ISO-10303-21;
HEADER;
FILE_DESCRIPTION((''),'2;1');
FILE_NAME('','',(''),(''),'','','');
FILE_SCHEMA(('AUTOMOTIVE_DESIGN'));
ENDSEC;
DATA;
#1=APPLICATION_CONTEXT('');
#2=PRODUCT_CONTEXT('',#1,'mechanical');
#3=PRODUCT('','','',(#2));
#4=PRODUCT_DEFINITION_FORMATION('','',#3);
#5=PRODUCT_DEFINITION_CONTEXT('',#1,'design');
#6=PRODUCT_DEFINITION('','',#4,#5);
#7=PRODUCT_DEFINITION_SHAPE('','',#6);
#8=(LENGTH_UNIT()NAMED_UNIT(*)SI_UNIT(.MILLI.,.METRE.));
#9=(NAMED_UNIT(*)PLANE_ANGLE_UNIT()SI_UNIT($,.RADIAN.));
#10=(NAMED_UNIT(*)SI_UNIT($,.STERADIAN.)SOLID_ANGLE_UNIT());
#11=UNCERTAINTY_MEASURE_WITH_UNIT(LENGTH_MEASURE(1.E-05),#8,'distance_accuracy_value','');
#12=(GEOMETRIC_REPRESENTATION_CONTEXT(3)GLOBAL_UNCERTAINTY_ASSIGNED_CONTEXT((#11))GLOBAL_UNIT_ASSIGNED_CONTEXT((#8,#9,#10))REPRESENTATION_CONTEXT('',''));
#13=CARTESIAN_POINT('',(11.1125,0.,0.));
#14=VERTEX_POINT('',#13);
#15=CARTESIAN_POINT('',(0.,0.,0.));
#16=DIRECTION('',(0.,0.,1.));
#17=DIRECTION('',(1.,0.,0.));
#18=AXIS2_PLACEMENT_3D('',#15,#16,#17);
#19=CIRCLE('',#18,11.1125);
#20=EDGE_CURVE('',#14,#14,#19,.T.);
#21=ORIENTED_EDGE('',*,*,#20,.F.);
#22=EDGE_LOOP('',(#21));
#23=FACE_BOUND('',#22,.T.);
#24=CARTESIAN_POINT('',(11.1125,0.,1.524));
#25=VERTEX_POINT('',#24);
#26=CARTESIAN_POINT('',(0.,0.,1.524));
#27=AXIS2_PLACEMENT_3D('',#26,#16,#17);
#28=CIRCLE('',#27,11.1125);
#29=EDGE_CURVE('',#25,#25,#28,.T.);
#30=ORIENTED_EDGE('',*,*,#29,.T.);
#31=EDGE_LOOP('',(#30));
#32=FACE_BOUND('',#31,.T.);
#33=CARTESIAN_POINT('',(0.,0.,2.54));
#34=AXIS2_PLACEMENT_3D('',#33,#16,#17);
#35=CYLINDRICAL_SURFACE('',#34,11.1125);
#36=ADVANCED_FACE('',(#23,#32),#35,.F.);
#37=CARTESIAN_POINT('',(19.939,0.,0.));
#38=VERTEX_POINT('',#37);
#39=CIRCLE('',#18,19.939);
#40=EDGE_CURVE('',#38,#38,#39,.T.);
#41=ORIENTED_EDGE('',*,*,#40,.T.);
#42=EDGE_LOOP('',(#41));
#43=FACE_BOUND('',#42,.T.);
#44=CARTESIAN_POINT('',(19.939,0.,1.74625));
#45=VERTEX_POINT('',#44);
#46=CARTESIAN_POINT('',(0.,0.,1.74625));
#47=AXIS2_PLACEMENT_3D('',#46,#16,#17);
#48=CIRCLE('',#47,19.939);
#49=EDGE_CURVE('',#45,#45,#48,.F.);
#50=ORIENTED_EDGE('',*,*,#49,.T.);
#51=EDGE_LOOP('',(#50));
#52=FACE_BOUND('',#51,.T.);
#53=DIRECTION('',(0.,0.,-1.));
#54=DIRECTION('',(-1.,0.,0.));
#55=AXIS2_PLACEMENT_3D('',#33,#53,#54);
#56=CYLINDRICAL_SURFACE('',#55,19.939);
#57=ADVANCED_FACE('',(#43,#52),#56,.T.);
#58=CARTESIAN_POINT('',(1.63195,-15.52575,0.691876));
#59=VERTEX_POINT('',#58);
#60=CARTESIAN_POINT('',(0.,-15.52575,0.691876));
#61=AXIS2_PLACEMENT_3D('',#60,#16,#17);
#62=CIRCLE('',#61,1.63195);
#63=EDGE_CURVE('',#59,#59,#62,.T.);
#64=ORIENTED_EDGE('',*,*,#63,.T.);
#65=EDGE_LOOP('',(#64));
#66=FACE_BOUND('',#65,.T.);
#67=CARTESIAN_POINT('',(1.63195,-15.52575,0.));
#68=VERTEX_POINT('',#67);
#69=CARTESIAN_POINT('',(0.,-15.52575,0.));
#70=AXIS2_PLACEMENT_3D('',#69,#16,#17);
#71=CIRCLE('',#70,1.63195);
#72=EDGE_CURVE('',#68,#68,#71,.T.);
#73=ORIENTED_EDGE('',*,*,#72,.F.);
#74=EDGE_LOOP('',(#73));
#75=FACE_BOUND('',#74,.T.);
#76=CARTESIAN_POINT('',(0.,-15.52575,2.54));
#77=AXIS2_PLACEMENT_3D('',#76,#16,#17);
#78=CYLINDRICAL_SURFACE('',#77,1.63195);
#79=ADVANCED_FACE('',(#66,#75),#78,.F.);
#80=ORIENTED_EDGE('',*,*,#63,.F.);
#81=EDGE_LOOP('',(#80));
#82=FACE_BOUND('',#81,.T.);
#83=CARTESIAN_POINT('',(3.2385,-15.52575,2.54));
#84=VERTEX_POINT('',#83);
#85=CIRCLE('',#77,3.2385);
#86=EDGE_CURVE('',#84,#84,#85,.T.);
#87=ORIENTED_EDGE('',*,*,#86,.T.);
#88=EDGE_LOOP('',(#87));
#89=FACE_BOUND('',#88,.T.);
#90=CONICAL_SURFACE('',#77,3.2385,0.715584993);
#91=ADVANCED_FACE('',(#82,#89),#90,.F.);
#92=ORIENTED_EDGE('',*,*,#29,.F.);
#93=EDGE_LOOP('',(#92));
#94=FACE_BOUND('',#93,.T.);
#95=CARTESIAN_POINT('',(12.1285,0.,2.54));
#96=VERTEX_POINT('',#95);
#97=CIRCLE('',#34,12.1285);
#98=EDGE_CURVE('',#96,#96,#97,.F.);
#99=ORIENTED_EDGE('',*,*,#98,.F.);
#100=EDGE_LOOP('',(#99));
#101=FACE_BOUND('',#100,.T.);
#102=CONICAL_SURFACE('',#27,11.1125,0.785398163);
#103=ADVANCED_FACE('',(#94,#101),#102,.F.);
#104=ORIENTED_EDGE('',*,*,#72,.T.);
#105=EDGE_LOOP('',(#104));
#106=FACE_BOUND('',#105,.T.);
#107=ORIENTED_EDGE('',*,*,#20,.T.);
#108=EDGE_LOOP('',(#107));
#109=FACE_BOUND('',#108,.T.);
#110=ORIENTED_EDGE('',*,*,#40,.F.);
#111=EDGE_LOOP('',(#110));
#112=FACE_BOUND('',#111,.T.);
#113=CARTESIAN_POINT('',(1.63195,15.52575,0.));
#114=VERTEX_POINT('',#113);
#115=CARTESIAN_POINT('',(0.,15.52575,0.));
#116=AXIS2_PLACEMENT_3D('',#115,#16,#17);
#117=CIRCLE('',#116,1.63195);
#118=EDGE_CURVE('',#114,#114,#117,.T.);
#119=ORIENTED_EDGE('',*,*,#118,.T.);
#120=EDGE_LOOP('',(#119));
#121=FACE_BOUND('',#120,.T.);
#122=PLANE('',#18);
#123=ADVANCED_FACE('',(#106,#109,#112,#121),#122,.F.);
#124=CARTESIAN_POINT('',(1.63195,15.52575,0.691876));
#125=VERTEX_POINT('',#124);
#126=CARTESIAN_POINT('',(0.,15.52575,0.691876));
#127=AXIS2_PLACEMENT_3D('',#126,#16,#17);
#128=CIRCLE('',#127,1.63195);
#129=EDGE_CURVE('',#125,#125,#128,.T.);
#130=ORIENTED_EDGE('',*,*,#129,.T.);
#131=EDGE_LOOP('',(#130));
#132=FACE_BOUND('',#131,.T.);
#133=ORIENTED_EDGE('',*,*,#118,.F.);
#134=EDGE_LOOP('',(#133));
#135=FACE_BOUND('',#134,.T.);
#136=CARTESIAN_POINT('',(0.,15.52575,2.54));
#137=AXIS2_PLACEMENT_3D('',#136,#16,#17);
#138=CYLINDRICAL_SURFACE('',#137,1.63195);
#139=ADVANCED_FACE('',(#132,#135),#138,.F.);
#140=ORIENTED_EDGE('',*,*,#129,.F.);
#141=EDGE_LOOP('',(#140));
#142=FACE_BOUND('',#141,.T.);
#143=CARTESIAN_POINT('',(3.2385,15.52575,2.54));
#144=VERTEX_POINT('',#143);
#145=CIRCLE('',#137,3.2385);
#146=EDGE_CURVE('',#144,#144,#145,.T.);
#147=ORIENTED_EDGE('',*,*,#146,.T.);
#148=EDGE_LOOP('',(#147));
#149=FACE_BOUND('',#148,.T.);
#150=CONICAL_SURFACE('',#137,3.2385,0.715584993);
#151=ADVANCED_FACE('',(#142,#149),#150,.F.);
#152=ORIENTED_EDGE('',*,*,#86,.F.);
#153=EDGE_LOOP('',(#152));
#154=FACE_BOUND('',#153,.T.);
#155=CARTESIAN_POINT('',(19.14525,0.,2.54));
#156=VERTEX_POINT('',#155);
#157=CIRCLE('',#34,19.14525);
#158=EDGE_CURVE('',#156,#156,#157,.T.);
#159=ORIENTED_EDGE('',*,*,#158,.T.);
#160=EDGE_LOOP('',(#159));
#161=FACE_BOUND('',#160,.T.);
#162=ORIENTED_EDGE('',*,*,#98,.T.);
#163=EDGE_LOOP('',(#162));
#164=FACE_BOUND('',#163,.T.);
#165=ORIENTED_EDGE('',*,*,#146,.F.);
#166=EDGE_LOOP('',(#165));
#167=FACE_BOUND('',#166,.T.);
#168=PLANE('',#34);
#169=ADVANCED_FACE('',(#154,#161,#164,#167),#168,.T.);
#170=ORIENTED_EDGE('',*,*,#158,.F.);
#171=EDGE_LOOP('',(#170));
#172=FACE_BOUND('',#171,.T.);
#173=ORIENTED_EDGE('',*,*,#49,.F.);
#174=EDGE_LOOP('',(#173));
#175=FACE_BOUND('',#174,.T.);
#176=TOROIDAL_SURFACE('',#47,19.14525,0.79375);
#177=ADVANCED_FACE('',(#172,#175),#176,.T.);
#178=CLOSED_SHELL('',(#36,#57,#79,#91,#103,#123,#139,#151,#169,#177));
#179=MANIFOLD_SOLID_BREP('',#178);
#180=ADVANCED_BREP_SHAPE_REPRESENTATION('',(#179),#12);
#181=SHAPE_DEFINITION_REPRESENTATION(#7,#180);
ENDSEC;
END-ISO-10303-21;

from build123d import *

# Parameters (mm, degrees)
SKETCH1_R                                     = 19.939
BOSS_EXTRUDE1_DEPTH                           = 2.54
F_7_8_0_875_DIAMETER_HOLE1_D                  = 22.225
CSK_FOR_4_FLAT_HEAD_SOCKET_CAP_SCREW1_A_COUNT = 2
CSK_FOR_4_FLAT_HEAD_SOCKET_CAP_SCREW1_A_PITCH = 31.0515
CHAMFER1_SIZE                                 = 1.016
FILLET1_R                                     = 0.79375


with BuildPart() as part:
    # Sketch1 → Boss-Extrude1 (new body)
    with BuildSketch(Plane.XY):
        Circle(SKETCH1_R)
    extrude(amount=BOSS_EXTRUDE1_DEPTH)

    # 7/8 (0.875) Diameter Hole1 (through all)
    with Locations(Plane.XY.offset(2.54)):
        with Locations((0, 0)):
            Hole(F_7_8_0_875_DIAMETER_HOLE1_D / 2)

    # Sketch24 → CSK for #4 Flat Head Socket Cap Screw1 (revolve, cut)
    with BuildSketch(Plane(origin=(0, 15.52575, 2.54), x_dir=(0, -1, 0), z_dir=(1, 0, 0))):
        Polygon((0, 0), (0, 2.54), (1.63195, 2.54), (1.63195, 1.848124365), (3.2385, 0), align=None)
    csk_for_4_flat_head_socket_cap_screw1 = revolve(axis=Axis((0, 15.52575, 8.89), (0, 0, -1)), mode=Mode.SUBTRACT)

    # CSK for #4 Flat Head Socket Cap Screw1 a: CSK for #4 Flat Head Socket Cap Screw1 ×2
    with Locations(*[(0, -i * CSK_FOR_4_FLAT_HEAD_SOCKET_CAP_SCREW1_A_PITCH, 0) for i in range(1, CSK_FOR_4_FLAT_HEAD_SOCKET_CAP_SCREW1_A_COUNT)]):
        add(csk_for_4_flat_head_socket_cap_screw1, mode=Mode.SUBTRACT)

    # Chamfer1
    chamfer1_edges = [part.edges().sort_by_distance(p)[0] for p in [
        (11.1125, 0, 2.54),
    ]]
    chamfer(chamfer1_edges, length=CHAMFER1_SIZE)

    # Fillet1
    fillet1_edges = [part.edges().sort_by_distance(p)[0] for p in [
        (-19.939, 0, 2.54),
    ]]
    fillet(fillet1_edges, radius=FILLET1_R)


solid = part.part
